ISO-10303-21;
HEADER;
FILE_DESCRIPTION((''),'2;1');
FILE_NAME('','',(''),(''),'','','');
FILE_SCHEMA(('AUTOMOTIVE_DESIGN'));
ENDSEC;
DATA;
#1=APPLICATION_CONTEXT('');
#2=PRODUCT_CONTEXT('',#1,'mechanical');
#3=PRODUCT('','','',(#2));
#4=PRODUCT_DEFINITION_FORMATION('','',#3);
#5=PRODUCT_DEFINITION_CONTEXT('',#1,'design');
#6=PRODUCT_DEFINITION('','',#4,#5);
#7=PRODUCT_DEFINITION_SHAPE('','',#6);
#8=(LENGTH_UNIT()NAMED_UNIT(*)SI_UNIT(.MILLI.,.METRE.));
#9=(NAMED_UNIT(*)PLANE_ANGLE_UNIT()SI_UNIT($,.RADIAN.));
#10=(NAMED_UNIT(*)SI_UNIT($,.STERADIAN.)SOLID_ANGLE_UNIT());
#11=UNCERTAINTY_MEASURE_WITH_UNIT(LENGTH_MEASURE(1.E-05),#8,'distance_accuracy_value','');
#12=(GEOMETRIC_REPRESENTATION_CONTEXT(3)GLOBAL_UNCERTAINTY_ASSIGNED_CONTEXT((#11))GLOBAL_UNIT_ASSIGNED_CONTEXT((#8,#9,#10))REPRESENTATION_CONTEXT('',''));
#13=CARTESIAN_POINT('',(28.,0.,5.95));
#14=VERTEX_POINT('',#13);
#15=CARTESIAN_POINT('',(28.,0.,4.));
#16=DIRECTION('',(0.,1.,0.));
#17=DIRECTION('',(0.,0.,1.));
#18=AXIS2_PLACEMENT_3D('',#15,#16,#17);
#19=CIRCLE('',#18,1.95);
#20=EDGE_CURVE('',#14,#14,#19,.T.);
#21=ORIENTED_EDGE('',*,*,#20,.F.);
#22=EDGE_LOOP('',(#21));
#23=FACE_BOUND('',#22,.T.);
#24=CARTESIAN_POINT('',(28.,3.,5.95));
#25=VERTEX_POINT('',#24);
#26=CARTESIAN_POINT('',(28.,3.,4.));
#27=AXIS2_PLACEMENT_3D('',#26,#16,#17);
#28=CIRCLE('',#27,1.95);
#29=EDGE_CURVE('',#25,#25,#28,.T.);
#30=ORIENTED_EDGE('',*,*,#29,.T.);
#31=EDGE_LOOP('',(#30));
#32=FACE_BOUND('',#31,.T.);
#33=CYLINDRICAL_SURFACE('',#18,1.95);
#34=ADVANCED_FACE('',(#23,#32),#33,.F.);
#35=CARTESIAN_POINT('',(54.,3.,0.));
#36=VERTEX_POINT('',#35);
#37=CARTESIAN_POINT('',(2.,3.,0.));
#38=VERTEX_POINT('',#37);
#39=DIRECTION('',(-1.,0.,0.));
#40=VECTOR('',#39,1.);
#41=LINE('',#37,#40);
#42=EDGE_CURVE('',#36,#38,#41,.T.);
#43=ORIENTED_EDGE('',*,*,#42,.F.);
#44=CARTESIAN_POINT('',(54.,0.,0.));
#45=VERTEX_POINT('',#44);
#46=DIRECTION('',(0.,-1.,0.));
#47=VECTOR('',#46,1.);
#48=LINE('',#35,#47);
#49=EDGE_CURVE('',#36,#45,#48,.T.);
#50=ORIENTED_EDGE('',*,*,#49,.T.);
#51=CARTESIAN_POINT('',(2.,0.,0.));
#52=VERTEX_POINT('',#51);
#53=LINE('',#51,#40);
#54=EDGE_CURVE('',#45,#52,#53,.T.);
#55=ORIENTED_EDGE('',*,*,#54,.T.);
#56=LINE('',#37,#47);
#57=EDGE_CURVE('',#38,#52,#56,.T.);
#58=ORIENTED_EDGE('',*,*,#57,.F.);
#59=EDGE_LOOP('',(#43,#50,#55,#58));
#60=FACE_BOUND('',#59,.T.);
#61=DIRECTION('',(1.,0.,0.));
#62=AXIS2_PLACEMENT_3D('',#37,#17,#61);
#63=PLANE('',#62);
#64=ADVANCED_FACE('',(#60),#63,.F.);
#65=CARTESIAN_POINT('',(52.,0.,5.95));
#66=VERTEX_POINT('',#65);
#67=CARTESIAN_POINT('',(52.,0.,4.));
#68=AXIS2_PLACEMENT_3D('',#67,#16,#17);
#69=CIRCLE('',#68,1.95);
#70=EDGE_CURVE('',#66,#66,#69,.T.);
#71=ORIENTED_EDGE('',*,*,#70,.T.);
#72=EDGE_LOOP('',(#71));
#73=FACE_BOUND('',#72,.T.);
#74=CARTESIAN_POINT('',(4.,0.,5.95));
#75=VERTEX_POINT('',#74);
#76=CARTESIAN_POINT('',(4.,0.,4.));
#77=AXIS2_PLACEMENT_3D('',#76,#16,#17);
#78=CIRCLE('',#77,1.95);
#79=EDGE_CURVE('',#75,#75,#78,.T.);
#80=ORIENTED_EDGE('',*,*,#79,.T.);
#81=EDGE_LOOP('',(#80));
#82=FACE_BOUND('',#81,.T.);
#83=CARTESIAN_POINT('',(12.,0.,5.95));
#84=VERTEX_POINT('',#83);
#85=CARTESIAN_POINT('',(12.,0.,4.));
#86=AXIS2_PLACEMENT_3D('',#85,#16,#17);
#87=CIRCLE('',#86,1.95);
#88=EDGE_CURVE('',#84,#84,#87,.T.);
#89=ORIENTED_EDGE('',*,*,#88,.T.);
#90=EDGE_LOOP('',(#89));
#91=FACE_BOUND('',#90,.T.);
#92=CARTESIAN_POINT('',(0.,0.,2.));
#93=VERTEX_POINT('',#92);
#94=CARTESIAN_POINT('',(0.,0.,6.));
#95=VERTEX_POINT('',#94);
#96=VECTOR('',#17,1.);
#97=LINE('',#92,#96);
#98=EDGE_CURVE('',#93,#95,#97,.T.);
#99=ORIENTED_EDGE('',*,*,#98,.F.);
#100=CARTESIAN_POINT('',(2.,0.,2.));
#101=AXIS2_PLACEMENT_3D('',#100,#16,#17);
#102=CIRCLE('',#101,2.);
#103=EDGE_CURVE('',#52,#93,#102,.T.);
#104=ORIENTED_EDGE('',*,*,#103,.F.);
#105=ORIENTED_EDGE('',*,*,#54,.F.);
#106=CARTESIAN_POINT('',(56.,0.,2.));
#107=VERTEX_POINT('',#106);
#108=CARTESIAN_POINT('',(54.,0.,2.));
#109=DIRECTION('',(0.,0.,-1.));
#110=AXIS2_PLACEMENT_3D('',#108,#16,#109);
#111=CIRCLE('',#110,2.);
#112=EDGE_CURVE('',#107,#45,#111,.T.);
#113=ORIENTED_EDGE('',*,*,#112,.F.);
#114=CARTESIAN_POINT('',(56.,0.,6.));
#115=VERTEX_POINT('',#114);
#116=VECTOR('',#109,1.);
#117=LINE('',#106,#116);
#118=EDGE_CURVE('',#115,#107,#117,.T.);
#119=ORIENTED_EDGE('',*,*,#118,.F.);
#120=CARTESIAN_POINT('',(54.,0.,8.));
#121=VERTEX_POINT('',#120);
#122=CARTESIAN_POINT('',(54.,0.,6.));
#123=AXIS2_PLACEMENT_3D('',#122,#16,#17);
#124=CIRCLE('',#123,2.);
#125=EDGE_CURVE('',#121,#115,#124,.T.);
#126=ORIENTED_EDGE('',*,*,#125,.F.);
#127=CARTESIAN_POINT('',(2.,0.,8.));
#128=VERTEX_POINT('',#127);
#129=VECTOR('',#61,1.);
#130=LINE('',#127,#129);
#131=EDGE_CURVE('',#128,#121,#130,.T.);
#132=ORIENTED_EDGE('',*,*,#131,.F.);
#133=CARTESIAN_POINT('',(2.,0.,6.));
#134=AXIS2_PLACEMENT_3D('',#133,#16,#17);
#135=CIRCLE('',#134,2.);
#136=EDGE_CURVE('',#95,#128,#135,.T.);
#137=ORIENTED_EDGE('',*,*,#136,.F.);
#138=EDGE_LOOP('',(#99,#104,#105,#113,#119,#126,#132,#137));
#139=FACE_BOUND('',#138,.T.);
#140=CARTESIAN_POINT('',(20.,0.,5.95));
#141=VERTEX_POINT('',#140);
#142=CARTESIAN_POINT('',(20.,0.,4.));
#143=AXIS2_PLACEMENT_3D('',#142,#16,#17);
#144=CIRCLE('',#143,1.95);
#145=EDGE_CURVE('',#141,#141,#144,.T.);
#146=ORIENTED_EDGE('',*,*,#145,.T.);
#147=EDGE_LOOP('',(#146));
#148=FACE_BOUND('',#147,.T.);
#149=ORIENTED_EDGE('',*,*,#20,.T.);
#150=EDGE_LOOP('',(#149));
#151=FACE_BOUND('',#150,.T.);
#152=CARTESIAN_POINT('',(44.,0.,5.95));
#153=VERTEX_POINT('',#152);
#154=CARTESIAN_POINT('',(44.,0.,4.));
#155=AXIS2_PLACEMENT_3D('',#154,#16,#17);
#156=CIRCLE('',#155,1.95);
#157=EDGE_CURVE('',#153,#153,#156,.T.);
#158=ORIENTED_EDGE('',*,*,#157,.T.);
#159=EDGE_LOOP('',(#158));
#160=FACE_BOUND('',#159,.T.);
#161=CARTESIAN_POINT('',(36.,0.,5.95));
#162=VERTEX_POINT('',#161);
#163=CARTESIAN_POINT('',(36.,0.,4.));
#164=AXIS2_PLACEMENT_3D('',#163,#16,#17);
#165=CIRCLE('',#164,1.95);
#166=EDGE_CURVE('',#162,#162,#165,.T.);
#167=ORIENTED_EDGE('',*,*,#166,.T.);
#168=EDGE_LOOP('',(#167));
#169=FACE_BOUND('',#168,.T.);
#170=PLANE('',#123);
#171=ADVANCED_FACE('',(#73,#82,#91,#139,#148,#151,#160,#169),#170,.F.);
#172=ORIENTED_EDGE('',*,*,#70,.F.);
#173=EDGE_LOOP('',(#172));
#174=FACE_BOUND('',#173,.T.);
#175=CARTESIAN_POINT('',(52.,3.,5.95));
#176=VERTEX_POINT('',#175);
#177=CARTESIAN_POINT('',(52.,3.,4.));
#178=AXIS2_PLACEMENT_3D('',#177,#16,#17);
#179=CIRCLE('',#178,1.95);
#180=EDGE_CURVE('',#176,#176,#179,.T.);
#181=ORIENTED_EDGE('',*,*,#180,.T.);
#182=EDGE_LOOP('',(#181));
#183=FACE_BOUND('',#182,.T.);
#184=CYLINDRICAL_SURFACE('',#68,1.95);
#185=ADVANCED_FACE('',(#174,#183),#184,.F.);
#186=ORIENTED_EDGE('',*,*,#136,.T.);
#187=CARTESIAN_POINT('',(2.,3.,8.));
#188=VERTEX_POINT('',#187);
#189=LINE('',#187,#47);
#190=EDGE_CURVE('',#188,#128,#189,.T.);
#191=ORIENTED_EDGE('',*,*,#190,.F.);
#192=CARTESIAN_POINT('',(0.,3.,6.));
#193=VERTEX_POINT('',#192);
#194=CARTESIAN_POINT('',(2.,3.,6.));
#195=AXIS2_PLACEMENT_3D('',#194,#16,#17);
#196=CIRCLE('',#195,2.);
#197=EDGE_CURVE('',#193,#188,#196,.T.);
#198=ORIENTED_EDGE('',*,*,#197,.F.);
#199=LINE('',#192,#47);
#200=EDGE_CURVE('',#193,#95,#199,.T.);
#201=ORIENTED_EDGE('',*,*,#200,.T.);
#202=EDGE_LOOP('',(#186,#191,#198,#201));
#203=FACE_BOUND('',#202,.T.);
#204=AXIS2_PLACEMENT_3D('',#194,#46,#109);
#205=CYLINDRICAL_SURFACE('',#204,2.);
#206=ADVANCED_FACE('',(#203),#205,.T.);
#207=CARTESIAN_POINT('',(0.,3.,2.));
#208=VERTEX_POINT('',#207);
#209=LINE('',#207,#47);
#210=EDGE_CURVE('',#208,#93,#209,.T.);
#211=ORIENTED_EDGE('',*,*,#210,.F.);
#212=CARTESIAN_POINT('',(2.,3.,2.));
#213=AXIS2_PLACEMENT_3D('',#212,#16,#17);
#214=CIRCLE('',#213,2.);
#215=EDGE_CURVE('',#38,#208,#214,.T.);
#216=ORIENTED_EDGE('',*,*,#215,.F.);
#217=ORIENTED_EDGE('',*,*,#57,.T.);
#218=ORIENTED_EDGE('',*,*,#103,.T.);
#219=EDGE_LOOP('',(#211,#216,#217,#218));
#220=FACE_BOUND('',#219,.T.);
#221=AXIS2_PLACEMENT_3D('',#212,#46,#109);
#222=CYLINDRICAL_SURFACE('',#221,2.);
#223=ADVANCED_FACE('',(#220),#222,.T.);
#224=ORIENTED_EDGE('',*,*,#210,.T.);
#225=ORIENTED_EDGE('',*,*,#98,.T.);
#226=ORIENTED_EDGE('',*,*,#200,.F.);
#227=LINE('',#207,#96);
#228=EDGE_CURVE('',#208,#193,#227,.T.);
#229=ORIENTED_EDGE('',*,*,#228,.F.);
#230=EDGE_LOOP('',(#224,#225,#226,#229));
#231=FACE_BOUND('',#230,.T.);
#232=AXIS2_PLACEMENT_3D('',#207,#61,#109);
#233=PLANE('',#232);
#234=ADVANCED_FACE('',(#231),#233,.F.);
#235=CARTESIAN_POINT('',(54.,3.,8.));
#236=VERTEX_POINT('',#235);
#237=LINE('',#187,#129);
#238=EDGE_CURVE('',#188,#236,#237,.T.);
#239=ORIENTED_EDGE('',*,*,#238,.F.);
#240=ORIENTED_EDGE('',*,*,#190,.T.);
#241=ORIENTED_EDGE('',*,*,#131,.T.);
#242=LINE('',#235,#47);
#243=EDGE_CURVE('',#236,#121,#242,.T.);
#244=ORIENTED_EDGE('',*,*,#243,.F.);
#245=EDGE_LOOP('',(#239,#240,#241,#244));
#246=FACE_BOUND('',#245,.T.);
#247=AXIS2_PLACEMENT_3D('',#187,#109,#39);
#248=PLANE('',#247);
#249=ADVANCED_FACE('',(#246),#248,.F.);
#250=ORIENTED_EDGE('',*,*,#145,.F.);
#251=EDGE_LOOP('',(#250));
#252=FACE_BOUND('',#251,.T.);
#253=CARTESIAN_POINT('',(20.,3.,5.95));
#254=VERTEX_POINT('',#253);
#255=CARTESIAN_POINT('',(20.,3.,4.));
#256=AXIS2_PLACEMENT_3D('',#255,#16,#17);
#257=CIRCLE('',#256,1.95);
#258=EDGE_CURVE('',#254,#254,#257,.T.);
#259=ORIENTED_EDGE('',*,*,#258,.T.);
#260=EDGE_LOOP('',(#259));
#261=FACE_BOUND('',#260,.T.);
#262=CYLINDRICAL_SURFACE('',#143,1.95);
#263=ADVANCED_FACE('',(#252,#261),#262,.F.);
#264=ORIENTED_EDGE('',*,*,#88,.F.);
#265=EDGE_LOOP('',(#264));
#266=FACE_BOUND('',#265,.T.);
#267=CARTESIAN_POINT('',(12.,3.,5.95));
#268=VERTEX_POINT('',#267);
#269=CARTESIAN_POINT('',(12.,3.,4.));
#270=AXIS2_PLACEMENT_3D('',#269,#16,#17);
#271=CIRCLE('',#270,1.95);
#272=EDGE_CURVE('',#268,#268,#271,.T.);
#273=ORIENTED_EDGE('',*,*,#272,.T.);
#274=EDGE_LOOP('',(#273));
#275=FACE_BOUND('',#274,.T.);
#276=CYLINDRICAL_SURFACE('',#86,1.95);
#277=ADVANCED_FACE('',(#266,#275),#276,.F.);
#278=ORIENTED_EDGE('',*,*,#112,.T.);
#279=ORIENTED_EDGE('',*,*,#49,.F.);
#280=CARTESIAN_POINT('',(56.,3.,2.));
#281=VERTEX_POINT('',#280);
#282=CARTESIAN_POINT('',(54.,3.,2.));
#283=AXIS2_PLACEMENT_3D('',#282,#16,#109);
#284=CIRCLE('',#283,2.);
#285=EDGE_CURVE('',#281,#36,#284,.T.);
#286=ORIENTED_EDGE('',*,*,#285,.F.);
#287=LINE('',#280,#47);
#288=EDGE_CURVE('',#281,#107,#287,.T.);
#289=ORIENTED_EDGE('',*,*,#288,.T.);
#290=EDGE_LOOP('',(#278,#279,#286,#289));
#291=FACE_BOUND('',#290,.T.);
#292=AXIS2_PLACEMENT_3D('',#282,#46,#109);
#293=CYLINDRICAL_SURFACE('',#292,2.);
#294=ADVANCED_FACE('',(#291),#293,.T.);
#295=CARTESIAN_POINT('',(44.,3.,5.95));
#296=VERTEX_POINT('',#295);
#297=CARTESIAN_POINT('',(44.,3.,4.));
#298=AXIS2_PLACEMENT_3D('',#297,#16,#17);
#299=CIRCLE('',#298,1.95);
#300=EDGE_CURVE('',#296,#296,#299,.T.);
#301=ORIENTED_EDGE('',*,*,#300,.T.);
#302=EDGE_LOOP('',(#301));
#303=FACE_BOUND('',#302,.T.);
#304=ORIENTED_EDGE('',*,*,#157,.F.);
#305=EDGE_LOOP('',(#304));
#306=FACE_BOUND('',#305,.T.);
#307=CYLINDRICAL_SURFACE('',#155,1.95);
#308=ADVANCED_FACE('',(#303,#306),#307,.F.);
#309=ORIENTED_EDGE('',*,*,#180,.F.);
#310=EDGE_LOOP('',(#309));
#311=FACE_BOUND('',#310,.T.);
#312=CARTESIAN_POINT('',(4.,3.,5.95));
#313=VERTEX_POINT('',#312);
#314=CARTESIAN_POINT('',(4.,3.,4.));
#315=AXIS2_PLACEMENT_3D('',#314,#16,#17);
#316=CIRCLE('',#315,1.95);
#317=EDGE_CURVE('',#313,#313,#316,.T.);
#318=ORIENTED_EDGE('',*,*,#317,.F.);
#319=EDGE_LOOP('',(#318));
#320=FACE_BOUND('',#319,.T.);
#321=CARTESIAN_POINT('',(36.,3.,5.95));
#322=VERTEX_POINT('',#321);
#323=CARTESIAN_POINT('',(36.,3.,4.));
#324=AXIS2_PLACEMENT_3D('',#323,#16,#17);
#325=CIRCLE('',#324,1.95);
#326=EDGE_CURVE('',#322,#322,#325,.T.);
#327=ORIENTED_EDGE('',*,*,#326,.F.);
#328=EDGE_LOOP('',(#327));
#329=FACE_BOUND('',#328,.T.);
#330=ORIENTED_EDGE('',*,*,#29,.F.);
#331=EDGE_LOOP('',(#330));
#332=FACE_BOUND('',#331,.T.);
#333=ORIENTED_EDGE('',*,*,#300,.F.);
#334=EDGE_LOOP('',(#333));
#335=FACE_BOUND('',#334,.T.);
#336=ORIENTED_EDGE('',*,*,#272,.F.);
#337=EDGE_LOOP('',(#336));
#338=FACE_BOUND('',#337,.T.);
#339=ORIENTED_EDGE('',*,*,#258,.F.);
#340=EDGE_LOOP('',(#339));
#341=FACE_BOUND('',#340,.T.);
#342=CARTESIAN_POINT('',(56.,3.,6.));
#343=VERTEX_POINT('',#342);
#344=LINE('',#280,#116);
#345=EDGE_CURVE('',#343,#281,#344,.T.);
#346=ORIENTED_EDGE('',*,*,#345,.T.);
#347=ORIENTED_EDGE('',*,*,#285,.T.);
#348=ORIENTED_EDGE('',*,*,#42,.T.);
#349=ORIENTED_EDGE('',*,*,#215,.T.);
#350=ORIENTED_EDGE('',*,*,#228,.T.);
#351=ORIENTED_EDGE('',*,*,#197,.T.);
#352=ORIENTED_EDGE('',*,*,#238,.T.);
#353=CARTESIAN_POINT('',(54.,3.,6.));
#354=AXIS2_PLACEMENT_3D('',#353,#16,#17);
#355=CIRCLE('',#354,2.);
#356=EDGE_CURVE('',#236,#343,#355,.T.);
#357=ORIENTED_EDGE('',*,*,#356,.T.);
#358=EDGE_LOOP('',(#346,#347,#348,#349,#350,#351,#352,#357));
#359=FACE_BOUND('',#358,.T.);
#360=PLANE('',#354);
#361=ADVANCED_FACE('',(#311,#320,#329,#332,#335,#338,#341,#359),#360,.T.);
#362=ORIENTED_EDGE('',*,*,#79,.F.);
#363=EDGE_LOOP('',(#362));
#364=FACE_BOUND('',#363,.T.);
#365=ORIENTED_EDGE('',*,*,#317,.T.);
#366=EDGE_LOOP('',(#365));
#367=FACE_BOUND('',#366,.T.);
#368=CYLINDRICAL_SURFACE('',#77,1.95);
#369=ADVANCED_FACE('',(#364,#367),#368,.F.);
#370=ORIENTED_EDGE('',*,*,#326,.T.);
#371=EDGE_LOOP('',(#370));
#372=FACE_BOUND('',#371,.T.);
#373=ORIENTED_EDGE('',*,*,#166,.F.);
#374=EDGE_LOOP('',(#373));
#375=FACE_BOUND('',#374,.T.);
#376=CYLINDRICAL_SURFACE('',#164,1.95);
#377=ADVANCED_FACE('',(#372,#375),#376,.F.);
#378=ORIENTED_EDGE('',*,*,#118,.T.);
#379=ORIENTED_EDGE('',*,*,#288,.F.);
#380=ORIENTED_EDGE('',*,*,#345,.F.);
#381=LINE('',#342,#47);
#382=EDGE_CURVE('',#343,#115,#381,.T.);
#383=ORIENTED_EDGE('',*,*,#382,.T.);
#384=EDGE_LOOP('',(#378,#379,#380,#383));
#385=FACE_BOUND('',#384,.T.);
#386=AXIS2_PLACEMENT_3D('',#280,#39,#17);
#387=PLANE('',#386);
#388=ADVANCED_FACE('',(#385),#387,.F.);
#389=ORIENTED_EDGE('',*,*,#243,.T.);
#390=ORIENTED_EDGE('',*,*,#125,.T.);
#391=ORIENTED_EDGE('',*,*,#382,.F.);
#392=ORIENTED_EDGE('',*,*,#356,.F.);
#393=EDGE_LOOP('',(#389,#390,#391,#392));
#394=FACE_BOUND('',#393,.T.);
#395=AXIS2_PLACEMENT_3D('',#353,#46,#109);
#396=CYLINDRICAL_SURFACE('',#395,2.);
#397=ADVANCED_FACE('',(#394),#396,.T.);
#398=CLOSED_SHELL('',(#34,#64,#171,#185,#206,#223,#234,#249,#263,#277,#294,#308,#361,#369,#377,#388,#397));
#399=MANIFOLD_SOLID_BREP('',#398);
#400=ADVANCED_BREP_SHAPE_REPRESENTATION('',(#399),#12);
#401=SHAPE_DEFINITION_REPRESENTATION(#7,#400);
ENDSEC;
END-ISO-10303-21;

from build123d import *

# Parameters (mm, degrees)
BOSS_EXTRUDE1_DEPTH = 3
SKETCH2_R           = 1.95
CUT_EXTRUDE1_DEPTH  = 4


with BuildPart() as part:
    # Sketch1 → Boss-Extrude1 (new body)
    with BuildSketch(Plane(origin=(0, 0, 0), x_dir=(1, 0, 0), z_dir=(0, 1, 0))):
        with BuildLine():
            Line((2, 0), (54, 0))
            ThreePointArc((54, 0), (55.414213562, -0.585786438), (56, -2))
            Line((56, -2), (56, -6))
            ThreePointArc((56, -6), (55.414213562, -7.414213562), (54, -8))
            Line((54, -8), (2, -8))
            ThreePointArc((2, -8), (0.585786438, -7.414213562), (0, -6))
            Line((0, -6), (0, -2))
            ThreePointArc((0, -2), (0.585786438, -0.585786438), (2, 0))
        make_face()
    extrude(amount=BOSS_EXTRUDE1_DEPTH)

    # Sketch2 → Cut-Extrude1 (cut, through all)
    with BuildSketch(Plane(origin=(0, 3, 0), x_dir=(1, 0, 0), z_dir=(0, 1, 0))):
        with Locations((52, -4)):
            Circle(SKETCH2_R)
        with Locations((44, -4)):
            Circle(SKETCH2_R)
        with Locations((-12, -4)):
            Circle(SKETCH2_R)
        with Locations((-4, -4)):
            Circle(SKETCH2_R)
        with Locations((4, -4)):
            Circle(SKETCH2_R)
        with Locations((12, -4)):
            Circle(SKETCH2_R)
        with Locations((20, -4)):
            Circle(SKETCH2_R)
        with Locations((28, -4)):
            Circle(SKETCH2_R)
        with Locations((36, -4)):
            Circle(SKETCH2_R)
    extrude(amount=-CUT_EXTRUDE1_DEPTH, mode=Mode.SUBTRACT)


solid = part.part
